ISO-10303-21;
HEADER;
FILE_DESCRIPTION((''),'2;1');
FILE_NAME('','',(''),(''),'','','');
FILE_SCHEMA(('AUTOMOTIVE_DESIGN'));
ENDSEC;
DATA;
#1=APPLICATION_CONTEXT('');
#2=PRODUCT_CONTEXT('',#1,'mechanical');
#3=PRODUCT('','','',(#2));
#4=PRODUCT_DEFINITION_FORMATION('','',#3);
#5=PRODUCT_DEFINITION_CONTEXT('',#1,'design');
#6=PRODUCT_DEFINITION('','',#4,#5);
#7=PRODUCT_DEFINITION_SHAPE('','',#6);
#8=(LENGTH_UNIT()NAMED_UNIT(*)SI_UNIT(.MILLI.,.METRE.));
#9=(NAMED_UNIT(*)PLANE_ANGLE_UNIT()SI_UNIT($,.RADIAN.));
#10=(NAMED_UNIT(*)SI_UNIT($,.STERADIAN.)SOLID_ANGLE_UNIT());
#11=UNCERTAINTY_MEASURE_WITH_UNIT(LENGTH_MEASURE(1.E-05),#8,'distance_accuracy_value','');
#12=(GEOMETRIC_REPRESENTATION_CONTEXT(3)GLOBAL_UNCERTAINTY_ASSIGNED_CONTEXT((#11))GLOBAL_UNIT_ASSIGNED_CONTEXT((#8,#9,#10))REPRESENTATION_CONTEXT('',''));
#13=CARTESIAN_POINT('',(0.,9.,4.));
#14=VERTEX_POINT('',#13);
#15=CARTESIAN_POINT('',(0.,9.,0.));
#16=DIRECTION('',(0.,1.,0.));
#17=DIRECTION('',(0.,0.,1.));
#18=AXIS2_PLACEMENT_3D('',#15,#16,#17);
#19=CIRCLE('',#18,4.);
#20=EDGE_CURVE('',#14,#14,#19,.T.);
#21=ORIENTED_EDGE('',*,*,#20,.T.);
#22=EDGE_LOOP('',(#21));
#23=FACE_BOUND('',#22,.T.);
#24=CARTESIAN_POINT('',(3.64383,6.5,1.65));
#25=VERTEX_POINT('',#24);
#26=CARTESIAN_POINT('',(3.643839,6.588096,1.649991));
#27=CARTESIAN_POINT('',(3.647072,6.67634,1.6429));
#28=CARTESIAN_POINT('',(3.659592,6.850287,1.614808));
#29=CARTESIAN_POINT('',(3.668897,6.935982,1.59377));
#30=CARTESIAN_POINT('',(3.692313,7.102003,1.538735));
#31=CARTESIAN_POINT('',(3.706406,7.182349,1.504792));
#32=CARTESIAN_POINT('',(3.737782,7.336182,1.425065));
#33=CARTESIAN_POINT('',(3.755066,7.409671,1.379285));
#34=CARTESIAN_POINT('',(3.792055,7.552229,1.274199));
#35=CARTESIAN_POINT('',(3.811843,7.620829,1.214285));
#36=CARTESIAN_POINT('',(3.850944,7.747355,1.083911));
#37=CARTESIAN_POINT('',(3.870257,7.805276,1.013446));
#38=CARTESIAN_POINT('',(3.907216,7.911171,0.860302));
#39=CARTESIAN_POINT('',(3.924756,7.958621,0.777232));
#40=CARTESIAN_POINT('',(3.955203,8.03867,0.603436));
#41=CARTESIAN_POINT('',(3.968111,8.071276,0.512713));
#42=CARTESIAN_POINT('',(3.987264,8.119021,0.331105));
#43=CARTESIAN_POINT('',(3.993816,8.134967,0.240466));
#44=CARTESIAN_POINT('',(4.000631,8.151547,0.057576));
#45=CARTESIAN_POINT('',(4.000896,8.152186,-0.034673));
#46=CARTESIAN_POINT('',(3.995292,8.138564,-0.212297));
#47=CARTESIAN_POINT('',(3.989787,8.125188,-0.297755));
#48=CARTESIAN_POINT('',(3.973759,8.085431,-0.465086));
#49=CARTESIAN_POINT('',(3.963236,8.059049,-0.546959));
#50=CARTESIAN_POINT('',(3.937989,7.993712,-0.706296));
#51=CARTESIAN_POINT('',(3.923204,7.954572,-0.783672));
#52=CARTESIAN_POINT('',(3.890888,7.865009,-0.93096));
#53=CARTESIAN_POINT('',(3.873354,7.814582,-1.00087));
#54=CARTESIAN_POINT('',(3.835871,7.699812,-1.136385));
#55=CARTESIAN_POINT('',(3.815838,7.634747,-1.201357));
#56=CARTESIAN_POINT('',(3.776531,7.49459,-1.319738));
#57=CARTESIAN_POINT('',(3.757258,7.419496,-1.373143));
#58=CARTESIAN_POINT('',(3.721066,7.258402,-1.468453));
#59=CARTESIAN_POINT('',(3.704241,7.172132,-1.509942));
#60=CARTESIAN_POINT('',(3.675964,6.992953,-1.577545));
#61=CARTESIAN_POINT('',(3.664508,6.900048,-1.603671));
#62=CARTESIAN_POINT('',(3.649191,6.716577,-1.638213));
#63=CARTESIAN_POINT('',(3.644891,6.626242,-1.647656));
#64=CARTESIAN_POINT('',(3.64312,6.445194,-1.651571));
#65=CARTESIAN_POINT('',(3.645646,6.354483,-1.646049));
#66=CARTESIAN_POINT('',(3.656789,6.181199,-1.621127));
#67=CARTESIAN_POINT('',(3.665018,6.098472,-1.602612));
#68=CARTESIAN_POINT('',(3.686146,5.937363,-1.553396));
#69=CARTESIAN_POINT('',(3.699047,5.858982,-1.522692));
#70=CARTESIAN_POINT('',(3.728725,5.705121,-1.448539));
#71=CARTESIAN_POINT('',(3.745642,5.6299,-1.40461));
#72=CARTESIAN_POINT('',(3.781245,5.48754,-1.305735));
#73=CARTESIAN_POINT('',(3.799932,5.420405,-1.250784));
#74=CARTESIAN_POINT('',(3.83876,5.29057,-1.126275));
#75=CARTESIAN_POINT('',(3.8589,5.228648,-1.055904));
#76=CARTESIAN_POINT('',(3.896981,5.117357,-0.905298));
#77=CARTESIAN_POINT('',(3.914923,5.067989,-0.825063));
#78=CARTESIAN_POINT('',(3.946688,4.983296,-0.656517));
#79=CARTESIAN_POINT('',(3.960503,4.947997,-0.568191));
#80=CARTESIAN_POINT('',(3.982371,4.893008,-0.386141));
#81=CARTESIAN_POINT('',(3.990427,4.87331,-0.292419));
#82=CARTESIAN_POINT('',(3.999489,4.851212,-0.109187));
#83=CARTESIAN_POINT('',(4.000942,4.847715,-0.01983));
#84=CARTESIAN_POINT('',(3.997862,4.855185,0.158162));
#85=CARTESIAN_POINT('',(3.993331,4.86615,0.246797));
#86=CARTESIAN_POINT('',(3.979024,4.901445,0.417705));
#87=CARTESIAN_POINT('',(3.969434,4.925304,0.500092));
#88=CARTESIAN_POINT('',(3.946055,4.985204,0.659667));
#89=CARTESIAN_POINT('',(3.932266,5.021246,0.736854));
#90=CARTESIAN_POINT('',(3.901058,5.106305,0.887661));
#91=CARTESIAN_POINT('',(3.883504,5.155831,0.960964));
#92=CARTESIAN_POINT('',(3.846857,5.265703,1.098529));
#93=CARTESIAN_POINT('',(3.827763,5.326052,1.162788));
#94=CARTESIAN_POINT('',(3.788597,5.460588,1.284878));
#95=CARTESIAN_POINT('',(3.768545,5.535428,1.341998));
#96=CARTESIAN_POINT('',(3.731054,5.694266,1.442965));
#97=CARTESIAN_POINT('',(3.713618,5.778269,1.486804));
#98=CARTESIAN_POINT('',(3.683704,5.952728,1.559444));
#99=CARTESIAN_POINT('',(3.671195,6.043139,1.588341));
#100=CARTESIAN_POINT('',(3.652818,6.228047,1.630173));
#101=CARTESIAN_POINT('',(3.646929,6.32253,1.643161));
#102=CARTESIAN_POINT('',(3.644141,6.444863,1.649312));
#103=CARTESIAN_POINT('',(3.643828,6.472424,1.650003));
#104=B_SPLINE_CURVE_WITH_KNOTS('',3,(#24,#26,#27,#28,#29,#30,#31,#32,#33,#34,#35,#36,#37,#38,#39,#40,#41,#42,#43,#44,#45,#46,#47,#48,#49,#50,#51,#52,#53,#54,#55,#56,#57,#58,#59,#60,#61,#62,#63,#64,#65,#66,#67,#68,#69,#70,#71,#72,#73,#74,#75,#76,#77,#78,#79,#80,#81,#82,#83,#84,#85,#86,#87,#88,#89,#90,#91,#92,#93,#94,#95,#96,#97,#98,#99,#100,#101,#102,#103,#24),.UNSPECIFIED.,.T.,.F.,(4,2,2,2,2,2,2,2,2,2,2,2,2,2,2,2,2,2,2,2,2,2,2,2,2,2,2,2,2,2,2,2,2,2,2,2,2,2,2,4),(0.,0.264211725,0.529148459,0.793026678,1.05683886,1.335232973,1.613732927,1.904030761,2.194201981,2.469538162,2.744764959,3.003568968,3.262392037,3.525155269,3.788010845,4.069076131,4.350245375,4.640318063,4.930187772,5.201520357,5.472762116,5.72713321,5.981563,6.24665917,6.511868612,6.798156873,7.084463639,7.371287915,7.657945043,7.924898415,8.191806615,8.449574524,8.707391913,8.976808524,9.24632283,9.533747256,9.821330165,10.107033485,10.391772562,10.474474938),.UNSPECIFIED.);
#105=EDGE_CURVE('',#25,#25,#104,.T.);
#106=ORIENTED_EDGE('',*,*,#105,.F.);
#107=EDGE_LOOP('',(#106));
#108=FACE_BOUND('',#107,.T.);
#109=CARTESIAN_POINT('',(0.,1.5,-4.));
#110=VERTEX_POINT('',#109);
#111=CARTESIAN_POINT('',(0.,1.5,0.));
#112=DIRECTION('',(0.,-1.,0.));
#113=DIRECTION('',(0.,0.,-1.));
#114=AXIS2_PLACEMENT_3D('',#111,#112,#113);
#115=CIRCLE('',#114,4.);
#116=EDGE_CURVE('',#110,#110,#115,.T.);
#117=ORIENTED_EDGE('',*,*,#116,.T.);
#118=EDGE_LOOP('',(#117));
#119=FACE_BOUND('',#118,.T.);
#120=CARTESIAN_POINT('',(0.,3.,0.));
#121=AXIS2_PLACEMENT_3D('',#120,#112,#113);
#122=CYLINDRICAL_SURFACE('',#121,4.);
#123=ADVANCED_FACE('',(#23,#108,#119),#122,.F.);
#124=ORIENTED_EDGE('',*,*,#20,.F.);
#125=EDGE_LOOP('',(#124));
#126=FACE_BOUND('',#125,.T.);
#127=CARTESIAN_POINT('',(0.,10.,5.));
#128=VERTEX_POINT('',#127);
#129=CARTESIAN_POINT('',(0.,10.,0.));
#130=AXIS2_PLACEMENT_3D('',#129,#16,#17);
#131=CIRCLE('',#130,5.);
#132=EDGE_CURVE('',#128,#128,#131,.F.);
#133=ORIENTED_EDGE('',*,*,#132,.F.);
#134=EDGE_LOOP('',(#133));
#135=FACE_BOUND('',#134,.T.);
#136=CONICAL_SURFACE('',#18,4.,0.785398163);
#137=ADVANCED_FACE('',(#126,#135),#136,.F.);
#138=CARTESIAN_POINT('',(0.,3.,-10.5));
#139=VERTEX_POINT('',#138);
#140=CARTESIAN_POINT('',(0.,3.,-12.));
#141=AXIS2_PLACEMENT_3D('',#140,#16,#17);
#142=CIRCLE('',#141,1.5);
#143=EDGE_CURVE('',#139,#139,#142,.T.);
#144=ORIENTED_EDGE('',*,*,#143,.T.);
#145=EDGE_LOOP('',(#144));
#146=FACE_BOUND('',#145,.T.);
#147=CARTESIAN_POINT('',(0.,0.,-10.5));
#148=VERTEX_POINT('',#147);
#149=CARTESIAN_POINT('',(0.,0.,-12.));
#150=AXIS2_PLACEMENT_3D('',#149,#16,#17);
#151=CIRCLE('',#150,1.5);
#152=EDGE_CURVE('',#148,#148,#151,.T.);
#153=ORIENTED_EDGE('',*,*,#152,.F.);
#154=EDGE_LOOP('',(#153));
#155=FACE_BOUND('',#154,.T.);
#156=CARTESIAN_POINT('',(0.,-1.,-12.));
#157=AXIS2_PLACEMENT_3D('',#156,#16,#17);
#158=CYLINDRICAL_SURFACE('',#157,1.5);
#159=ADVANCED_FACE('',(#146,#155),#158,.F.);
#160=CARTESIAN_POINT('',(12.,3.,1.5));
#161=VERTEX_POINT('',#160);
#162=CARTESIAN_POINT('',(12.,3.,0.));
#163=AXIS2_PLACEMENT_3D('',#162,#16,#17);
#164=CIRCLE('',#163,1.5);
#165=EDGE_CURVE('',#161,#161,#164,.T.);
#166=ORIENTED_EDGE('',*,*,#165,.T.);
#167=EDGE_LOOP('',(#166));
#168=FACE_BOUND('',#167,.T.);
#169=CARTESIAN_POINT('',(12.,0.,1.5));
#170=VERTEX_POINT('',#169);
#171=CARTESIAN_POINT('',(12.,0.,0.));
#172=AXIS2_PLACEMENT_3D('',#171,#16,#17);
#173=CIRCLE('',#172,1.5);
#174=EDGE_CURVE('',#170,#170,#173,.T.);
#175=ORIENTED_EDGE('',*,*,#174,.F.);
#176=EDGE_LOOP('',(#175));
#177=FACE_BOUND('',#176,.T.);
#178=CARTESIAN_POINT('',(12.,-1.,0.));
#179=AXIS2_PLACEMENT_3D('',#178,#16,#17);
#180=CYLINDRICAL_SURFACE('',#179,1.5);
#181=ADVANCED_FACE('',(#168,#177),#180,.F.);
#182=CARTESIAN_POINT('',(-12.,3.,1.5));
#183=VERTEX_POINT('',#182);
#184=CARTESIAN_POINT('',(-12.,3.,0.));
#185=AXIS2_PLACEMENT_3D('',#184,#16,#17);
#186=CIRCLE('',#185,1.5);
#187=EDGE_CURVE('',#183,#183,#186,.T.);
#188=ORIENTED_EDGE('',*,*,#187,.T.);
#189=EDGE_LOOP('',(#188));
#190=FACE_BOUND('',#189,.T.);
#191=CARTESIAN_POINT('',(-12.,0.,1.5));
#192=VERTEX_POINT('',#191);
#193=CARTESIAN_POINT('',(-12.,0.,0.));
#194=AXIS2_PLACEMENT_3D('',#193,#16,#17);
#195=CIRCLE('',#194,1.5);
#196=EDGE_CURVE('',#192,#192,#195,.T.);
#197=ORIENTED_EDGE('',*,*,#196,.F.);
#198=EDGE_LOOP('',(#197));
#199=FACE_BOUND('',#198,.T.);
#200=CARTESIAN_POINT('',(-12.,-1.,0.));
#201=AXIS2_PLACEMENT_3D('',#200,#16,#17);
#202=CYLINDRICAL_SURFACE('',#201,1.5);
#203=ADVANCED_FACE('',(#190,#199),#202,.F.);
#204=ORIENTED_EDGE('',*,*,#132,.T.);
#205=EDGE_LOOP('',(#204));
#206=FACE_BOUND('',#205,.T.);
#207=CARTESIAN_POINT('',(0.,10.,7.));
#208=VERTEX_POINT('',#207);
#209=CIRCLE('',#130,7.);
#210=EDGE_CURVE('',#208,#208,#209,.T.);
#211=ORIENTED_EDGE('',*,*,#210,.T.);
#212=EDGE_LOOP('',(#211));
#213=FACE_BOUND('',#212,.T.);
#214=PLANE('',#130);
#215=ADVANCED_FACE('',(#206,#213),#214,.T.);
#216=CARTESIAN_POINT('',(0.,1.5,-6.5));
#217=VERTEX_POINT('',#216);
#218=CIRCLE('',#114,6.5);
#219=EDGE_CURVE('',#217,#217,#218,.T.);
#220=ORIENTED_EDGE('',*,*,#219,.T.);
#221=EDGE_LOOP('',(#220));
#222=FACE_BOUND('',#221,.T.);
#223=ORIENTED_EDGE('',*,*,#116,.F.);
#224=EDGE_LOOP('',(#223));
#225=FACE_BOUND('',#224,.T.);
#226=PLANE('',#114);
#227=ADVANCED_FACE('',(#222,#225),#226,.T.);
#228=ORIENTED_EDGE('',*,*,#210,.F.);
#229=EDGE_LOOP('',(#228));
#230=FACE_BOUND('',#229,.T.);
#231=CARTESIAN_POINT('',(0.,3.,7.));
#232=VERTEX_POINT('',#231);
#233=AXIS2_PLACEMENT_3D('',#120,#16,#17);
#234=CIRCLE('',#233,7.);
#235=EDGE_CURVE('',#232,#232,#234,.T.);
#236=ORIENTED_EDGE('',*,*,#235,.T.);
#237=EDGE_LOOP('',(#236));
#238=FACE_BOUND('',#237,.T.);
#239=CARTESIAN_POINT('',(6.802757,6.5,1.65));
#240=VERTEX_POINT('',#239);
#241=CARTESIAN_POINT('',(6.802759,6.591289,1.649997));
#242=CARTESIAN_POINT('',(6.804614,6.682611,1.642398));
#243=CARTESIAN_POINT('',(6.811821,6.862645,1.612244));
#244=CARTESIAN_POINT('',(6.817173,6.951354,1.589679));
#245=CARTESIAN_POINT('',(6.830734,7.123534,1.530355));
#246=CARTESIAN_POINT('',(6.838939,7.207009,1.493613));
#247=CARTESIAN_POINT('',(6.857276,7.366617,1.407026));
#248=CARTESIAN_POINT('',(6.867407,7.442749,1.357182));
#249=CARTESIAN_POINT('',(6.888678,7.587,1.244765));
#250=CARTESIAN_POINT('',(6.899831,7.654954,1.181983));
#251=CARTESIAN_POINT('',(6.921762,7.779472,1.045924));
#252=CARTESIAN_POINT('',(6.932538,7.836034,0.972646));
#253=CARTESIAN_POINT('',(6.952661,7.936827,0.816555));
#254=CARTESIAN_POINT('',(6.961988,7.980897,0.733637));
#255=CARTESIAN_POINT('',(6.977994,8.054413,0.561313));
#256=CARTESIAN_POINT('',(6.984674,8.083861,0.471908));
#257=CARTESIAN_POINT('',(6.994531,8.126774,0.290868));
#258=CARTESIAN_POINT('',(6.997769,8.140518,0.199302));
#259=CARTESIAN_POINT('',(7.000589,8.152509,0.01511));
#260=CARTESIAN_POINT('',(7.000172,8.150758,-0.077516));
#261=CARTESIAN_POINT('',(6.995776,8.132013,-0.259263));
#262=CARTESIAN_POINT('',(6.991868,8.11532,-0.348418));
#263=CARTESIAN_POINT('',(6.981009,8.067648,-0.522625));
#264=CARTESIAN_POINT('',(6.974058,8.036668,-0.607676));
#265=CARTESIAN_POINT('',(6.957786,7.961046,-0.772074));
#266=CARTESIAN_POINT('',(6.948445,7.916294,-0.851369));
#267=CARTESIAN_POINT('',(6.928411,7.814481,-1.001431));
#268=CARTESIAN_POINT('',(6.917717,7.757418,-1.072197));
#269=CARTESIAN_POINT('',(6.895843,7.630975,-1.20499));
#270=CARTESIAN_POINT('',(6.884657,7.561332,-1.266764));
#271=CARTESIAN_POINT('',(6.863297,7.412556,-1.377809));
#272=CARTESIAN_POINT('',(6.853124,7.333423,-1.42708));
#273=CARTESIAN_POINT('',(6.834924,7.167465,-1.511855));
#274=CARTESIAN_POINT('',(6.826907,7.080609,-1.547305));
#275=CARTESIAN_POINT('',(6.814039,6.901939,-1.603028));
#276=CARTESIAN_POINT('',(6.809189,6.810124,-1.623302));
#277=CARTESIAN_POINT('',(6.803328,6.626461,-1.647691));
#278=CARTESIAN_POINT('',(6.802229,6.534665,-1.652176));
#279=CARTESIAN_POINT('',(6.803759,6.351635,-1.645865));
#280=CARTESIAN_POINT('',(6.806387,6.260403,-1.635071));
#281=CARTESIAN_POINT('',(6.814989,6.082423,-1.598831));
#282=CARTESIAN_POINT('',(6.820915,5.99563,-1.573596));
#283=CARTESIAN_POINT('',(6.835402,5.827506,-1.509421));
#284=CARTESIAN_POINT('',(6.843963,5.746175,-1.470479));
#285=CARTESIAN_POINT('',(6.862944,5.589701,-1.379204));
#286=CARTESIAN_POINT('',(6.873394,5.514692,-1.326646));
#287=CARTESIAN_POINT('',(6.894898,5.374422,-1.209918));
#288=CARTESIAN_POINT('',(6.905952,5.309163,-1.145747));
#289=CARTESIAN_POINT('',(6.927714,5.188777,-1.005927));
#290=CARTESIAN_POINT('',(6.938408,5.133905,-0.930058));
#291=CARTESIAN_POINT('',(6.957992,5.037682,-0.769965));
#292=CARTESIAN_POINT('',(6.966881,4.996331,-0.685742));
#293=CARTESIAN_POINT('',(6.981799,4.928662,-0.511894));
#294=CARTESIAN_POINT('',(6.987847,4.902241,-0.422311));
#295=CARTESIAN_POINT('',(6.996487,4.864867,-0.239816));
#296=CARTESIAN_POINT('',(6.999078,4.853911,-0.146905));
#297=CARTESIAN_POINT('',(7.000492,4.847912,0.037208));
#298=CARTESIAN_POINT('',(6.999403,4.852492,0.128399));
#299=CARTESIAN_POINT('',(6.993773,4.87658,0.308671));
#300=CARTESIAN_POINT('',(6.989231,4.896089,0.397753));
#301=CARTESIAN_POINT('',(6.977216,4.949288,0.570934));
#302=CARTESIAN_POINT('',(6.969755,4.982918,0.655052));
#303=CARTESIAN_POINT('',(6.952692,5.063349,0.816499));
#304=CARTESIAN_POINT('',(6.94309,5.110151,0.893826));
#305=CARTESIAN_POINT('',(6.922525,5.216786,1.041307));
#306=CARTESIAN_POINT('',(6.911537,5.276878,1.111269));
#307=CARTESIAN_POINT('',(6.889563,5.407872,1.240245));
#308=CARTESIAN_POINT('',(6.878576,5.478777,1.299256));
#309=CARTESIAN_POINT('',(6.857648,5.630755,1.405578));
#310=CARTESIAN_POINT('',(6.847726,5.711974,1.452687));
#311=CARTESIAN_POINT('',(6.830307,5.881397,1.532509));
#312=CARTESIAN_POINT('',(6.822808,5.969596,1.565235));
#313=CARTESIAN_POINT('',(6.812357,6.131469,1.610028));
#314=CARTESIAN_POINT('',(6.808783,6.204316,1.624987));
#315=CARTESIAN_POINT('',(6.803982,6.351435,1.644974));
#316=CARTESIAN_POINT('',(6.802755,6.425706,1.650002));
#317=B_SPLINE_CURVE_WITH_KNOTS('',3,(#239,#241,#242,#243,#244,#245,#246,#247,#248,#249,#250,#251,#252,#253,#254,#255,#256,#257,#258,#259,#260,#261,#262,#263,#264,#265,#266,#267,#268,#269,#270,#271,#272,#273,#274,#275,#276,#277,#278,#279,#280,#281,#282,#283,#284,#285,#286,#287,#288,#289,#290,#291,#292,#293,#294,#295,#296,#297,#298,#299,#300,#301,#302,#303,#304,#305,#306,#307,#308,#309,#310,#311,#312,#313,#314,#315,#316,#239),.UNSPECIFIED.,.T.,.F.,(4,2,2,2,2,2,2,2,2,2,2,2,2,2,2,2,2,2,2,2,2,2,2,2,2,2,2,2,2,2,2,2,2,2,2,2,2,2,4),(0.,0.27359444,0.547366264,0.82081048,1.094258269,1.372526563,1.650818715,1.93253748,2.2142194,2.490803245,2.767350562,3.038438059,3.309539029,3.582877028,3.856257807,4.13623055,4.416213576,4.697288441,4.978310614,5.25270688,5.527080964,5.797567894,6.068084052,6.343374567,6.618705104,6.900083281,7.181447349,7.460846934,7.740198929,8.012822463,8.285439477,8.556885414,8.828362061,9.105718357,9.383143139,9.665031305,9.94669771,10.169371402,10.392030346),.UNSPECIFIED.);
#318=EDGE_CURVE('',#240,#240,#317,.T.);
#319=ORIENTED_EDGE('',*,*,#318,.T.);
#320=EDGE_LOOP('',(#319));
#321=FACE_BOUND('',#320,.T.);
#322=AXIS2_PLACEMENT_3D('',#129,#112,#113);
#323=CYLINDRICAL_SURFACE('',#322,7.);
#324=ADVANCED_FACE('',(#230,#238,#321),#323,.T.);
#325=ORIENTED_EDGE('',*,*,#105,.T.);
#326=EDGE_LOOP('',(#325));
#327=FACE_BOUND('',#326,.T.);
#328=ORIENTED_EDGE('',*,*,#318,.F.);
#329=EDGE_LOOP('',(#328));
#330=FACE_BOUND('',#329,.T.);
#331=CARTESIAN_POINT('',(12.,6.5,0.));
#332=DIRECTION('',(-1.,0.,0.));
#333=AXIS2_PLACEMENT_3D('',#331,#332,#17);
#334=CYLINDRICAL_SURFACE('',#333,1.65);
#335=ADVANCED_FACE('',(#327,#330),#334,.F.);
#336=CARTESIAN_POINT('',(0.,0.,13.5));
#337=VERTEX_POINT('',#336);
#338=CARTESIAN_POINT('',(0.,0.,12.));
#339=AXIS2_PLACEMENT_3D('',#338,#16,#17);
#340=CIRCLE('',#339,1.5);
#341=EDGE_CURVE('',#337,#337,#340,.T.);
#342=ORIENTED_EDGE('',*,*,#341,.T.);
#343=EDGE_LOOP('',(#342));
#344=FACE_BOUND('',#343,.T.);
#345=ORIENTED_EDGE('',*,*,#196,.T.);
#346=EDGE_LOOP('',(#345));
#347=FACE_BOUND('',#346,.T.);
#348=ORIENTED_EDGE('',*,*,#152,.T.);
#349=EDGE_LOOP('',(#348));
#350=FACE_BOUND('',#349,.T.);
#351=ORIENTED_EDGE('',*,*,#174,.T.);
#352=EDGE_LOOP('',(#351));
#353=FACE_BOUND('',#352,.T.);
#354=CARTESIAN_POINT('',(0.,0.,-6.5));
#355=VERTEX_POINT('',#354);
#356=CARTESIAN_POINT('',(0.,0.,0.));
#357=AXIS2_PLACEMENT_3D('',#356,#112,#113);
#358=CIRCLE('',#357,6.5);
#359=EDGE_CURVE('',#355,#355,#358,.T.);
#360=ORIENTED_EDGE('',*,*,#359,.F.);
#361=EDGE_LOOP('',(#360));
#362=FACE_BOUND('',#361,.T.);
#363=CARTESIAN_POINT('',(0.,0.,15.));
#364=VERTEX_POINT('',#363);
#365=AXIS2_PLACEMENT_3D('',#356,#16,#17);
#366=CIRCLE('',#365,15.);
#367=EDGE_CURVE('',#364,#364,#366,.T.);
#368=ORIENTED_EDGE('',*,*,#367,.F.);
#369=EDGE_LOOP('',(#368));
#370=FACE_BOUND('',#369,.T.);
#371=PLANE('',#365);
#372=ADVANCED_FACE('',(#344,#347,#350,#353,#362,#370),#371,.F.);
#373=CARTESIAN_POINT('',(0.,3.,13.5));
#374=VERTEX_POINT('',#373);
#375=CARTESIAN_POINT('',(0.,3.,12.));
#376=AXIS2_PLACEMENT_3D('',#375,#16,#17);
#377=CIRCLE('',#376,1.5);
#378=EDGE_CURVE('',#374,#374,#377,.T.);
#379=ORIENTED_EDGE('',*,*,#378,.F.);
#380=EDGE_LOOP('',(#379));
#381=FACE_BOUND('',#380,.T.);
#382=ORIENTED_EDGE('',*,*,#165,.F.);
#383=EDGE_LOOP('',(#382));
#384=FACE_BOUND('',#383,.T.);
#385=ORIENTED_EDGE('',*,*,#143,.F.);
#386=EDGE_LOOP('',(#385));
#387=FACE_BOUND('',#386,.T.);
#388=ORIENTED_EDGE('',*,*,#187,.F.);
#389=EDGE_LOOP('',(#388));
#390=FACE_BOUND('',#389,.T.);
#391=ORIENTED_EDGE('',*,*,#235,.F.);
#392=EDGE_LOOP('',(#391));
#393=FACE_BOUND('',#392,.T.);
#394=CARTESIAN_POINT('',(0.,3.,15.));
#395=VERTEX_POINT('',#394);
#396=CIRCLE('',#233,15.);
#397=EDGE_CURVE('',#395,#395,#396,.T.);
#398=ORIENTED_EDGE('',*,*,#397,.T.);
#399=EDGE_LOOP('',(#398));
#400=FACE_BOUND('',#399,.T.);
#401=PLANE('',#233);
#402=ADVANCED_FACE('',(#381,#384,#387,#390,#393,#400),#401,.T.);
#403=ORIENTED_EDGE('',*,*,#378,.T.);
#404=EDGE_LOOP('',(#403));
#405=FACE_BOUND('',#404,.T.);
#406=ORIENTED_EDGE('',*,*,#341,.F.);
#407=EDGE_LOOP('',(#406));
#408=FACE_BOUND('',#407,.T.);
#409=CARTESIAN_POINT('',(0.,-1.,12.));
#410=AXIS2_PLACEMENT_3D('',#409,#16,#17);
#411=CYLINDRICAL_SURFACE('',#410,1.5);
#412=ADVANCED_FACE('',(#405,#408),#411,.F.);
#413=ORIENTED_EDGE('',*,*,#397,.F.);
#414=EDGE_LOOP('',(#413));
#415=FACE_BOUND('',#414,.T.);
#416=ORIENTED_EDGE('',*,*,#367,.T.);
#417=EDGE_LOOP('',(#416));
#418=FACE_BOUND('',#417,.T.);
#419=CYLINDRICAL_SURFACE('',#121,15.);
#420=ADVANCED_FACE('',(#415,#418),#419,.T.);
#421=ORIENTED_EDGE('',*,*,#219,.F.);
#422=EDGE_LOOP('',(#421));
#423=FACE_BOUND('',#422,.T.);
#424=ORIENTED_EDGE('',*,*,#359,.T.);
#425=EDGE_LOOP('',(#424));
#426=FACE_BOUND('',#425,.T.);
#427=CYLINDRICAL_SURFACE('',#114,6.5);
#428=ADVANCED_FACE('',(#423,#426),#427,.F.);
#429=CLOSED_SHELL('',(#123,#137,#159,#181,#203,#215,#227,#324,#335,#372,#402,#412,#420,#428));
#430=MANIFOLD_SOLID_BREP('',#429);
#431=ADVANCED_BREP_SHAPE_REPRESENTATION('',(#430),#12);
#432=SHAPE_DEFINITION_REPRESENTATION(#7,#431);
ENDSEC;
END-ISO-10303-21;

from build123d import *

# Parameters (mm, degrees)
SKETCH_1_R          = 15
SKETCH_1_R_2        = 4
EXTRUDE_1_DEPTH     = 3
SKETCH_2_R          = 7
SKETCH_2_R_2        = 4
EXTRUDE_2_DEPTH     = 7
SKETCH_5_R          = 1.65
CUT_EXTRUDE_1_DEPTH = 12
SKETCH_6_R          = 6.5
CUT_EXTRUDE_2_DEPTH = 1.5
SKETCH_7_R          = 1.5
CUT_EXTRUDE_3_DEPTH = 4
CHAMFER_1_SIZE      = 1


with BuildPart() as part:
    # 草图1 → 凸台-拉伸1 (new body)
    with BuildSketch(Plane(origin=(0, 0, 0), x_dir=(1, 0, 0), z_dir=(0, 1, 0))):
        Circle(SKETCH_1_R)
        Circle(SKETCH_1_R_2, mode=Mode.SUBTRACT)
    extrude(amount=EXTRUDE_1_DEPTH)

    # 草图2 → 凸台-拉伸2 (add)
    with BuildSketch(Plane(origin=(0, 3, 0), x_dir=(1, 0, 0), z_dir=(0, 1, 0))):
        Circle(SKETCH_2_R)
        Circle(SKETCH_2_R_2, mode=Mode.SUBTRACT)
    extrude(amount=EXTRUDE_2_DEPTH)

    # 草图5 → 切除-拉伸1 (cut)
    with BuildSketch(Plane.ZY):
        with Locations((0, 6.5)):
            Circle(SKETCH_5_R)
    extrude(amount=-CUT_EXTRUDE_1_DEPTH, mode=Mode.SUBTRACT)

    # 草图6 → 切除-拉伸2 (cut)
    with BuildSketch(Plane.XZ):
        Circle(SKETCH_6_R)
    extrude(amount=-CUT_EXTRUDE_2_DEPTH, mode=Mode.SUBTRACT)

    # 草图7 → 切除-拉伸3 (cut)
    with BuildSketch(Plane(origin=(0, 3, 0), x_dir=(1, 0, 0), z_dir=(0, 1, 0))):
        with Locations((0, -12)):
            Circle(SKETCH_7_R)
        with Locations((-12, 0)):
            Circle(SKETCH_7_R)
        with Locations((0, 12)):
            Circle(SKETCH_7_R)
        with Locations((12, 0)):
            Circle(SKETCH_7_R)
    extrude(amount=-CUT_EXTRUDE_3_DEPTH, mode=Mode.SUBTRACT)

    # 倒角1
    chamfer_1_edges = [part.edges().sort_by_distance(p)[0] for p in [
        (-4, 10, 0),
    ]]
    chamfer(chamfer_1_edges, length=CHAMFER_1_SIZE)


solid = part.part
